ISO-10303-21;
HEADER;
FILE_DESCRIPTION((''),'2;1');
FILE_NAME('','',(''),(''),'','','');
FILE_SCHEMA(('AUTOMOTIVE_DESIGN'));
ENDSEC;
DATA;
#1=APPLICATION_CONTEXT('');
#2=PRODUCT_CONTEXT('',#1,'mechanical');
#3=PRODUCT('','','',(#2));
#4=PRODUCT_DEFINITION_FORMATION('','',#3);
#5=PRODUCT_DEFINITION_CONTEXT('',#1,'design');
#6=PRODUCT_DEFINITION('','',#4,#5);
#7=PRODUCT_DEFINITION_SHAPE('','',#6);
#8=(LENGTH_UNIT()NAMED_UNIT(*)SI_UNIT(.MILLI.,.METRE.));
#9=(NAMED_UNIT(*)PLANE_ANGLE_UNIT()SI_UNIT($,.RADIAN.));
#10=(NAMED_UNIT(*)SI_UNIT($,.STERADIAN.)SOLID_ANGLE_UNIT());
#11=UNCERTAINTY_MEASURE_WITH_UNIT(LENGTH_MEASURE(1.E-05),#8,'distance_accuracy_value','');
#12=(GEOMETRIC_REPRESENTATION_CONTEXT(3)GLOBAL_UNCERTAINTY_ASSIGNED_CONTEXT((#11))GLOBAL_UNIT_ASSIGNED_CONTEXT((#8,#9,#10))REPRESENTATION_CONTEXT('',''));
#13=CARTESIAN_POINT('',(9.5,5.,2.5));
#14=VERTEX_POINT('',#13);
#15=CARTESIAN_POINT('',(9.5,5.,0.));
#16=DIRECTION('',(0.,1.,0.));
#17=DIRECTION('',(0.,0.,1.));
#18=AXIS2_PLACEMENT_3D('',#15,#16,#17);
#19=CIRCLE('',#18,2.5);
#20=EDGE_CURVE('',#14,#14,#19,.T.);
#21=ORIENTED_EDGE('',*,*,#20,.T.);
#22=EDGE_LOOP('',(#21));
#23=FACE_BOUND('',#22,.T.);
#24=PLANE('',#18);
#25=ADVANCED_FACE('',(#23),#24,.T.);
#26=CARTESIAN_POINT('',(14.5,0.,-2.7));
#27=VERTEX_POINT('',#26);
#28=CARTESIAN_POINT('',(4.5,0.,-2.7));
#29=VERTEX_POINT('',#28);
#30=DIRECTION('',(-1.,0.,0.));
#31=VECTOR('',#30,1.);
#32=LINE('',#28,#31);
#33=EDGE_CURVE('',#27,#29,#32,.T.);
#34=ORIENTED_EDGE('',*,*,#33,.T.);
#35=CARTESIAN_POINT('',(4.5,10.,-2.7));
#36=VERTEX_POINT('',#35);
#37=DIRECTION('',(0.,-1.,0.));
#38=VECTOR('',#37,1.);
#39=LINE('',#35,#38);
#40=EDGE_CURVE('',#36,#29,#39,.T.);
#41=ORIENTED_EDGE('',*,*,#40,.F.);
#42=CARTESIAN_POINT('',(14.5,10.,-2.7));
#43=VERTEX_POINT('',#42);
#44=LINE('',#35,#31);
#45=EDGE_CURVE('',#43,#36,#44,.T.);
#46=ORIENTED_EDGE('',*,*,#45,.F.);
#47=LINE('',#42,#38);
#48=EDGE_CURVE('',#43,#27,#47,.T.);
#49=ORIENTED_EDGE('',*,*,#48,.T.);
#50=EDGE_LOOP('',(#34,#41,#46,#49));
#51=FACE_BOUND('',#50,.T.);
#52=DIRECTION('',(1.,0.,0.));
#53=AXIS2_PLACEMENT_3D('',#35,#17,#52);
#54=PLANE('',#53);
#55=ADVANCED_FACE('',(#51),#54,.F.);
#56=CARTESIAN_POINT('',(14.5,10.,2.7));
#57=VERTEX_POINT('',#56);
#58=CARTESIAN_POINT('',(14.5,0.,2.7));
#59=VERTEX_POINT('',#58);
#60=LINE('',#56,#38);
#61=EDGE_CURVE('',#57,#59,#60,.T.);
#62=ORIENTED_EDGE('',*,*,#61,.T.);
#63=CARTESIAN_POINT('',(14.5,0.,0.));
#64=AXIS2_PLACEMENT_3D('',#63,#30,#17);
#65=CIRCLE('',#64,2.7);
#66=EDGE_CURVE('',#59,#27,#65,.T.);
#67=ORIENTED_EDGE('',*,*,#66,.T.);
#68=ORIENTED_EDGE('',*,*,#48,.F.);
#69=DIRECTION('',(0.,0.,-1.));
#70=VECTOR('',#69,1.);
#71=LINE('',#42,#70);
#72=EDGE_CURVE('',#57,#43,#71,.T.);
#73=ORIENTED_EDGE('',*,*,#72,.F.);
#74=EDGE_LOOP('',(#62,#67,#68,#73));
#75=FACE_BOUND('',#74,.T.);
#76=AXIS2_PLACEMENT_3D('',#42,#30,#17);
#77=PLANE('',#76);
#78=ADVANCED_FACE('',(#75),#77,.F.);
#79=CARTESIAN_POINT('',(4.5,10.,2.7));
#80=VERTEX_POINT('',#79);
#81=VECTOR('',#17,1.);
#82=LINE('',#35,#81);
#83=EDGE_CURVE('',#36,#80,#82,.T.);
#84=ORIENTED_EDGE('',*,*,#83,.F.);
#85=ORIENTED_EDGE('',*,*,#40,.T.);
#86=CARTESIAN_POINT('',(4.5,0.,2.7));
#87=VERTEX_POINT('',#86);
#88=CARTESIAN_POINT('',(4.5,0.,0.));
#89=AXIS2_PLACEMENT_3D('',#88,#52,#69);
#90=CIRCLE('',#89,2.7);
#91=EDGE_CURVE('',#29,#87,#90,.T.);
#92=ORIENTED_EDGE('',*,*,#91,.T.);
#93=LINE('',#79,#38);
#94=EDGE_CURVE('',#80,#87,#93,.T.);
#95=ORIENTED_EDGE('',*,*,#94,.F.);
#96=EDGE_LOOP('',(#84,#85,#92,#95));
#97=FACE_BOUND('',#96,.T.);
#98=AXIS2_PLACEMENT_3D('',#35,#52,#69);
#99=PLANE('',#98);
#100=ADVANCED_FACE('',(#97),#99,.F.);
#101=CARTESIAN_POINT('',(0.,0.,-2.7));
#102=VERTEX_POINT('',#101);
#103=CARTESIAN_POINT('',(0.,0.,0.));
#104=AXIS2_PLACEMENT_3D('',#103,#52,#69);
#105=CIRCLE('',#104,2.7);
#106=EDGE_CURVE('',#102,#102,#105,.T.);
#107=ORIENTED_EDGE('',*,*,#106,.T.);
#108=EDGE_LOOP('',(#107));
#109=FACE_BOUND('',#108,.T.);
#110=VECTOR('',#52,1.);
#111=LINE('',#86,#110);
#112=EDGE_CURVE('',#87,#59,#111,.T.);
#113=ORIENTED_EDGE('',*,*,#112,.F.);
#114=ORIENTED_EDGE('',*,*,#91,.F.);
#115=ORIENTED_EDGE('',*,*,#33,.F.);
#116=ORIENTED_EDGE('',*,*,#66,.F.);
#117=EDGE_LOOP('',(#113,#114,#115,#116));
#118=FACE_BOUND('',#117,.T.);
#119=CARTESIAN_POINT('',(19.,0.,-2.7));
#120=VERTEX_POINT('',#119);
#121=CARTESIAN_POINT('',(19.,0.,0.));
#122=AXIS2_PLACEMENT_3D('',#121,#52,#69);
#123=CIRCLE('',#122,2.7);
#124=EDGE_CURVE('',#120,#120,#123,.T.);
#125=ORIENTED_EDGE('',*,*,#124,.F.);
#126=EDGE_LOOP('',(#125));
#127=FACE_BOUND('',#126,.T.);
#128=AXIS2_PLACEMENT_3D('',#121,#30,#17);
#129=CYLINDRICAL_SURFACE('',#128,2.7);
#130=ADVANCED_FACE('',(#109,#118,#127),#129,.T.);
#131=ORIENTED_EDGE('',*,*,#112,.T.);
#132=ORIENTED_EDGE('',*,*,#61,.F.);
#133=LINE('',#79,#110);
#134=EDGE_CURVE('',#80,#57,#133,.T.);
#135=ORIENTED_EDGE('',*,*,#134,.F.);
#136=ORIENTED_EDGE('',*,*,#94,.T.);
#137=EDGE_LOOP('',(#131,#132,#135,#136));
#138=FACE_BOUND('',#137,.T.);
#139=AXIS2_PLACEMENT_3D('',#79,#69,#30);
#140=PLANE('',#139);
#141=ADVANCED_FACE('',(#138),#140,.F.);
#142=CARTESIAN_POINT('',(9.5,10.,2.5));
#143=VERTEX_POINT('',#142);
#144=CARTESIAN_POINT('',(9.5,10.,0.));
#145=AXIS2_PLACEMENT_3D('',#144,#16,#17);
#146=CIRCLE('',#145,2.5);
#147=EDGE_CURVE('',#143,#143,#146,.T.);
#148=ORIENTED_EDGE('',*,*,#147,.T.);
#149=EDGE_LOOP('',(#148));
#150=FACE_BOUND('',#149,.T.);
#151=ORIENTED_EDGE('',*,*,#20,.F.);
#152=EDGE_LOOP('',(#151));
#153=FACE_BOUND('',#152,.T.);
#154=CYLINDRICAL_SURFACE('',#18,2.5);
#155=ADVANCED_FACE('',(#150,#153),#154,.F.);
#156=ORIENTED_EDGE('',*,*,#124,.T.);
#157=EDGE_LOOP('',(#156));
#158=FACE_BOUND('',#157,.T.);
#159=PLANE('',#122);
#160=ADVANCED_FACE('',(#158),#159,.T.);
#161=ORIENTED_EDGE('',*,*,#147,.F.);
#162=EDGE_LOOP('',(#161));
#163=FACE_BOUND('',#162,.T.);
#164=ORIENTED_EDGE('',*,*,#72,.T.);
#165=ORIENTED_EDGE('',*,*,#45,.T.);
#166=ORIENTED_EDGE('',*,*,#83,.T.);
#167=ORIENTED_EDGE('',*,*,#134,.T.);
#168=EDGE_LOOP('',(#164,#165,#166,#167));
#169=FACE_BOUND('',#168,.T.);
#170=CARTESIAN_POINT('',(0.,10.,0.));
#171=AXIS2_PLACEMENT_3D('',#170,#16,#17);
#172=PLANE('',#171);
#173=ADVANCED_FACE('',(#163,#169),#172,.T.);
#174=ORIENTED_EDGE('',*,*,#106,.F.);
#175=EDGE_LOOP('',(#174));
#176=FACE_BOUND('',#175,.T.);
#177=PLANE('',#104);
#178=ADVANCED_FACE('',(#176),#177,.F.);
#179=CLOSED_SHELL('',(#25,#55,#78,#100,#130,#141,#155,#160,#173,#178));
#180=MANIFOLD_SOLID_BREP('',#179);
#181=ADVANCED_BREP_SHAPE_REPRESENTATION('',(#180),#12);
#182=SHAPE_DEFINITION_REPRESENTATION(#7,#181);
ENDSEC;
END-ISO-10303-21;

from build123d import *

# Parameters (mm, degrees)
SKETCH1_R           = 2.7
BOSS_EXTRUDE1_DEPTH = 19
SKETCH2_W           = 10
SKETCH2_H           = 5.4
BOSS_EXTRUDE2_DEPTH = 10
SKETCH3_R           = 2.5
CUT_EXTRUDE1_DEPTH  = 5


with BuildPart() as part:
    # Sketch1 → Boss-Extrude1 (new body)
    with BuildSketch(Plane(origin=(0, 0, 0), x_dir=(0, 0, -1), z_dir=(1, 0, 0))):
        Circle(SKETCH1_R)
    extrude(amount=BOSS_EXTRUDE1_DEPTH)

    # Sketch2 → Boss-Extrude2 (add)
    with BuildSketch(Plane(origin=(0, 0, 0), x_dir=(1, 0, 0), z_dir=(0, 1, 0))):
        with Locations((9.5, 0)):
            Rectangle(SKETCH2_W, SKETCH2_H)
    extrude(amount=BOSS_EXTRUDE2_DEPTH)

    # Sketch3 → Cut-Extrude1 (cut)
    with BuildSketch(Plane(origin=(0, 10, 0), x_dir=(1, 0, 0), z_dir=(0, 1, 0))):
        with Locations((9.5, 0)):
            Circle(SKETCH3_R)
    extrude(amount=-CUT_EXTRUDE1_DEPTH, mode=Mode.SUBTRACT)


solid = part.part
